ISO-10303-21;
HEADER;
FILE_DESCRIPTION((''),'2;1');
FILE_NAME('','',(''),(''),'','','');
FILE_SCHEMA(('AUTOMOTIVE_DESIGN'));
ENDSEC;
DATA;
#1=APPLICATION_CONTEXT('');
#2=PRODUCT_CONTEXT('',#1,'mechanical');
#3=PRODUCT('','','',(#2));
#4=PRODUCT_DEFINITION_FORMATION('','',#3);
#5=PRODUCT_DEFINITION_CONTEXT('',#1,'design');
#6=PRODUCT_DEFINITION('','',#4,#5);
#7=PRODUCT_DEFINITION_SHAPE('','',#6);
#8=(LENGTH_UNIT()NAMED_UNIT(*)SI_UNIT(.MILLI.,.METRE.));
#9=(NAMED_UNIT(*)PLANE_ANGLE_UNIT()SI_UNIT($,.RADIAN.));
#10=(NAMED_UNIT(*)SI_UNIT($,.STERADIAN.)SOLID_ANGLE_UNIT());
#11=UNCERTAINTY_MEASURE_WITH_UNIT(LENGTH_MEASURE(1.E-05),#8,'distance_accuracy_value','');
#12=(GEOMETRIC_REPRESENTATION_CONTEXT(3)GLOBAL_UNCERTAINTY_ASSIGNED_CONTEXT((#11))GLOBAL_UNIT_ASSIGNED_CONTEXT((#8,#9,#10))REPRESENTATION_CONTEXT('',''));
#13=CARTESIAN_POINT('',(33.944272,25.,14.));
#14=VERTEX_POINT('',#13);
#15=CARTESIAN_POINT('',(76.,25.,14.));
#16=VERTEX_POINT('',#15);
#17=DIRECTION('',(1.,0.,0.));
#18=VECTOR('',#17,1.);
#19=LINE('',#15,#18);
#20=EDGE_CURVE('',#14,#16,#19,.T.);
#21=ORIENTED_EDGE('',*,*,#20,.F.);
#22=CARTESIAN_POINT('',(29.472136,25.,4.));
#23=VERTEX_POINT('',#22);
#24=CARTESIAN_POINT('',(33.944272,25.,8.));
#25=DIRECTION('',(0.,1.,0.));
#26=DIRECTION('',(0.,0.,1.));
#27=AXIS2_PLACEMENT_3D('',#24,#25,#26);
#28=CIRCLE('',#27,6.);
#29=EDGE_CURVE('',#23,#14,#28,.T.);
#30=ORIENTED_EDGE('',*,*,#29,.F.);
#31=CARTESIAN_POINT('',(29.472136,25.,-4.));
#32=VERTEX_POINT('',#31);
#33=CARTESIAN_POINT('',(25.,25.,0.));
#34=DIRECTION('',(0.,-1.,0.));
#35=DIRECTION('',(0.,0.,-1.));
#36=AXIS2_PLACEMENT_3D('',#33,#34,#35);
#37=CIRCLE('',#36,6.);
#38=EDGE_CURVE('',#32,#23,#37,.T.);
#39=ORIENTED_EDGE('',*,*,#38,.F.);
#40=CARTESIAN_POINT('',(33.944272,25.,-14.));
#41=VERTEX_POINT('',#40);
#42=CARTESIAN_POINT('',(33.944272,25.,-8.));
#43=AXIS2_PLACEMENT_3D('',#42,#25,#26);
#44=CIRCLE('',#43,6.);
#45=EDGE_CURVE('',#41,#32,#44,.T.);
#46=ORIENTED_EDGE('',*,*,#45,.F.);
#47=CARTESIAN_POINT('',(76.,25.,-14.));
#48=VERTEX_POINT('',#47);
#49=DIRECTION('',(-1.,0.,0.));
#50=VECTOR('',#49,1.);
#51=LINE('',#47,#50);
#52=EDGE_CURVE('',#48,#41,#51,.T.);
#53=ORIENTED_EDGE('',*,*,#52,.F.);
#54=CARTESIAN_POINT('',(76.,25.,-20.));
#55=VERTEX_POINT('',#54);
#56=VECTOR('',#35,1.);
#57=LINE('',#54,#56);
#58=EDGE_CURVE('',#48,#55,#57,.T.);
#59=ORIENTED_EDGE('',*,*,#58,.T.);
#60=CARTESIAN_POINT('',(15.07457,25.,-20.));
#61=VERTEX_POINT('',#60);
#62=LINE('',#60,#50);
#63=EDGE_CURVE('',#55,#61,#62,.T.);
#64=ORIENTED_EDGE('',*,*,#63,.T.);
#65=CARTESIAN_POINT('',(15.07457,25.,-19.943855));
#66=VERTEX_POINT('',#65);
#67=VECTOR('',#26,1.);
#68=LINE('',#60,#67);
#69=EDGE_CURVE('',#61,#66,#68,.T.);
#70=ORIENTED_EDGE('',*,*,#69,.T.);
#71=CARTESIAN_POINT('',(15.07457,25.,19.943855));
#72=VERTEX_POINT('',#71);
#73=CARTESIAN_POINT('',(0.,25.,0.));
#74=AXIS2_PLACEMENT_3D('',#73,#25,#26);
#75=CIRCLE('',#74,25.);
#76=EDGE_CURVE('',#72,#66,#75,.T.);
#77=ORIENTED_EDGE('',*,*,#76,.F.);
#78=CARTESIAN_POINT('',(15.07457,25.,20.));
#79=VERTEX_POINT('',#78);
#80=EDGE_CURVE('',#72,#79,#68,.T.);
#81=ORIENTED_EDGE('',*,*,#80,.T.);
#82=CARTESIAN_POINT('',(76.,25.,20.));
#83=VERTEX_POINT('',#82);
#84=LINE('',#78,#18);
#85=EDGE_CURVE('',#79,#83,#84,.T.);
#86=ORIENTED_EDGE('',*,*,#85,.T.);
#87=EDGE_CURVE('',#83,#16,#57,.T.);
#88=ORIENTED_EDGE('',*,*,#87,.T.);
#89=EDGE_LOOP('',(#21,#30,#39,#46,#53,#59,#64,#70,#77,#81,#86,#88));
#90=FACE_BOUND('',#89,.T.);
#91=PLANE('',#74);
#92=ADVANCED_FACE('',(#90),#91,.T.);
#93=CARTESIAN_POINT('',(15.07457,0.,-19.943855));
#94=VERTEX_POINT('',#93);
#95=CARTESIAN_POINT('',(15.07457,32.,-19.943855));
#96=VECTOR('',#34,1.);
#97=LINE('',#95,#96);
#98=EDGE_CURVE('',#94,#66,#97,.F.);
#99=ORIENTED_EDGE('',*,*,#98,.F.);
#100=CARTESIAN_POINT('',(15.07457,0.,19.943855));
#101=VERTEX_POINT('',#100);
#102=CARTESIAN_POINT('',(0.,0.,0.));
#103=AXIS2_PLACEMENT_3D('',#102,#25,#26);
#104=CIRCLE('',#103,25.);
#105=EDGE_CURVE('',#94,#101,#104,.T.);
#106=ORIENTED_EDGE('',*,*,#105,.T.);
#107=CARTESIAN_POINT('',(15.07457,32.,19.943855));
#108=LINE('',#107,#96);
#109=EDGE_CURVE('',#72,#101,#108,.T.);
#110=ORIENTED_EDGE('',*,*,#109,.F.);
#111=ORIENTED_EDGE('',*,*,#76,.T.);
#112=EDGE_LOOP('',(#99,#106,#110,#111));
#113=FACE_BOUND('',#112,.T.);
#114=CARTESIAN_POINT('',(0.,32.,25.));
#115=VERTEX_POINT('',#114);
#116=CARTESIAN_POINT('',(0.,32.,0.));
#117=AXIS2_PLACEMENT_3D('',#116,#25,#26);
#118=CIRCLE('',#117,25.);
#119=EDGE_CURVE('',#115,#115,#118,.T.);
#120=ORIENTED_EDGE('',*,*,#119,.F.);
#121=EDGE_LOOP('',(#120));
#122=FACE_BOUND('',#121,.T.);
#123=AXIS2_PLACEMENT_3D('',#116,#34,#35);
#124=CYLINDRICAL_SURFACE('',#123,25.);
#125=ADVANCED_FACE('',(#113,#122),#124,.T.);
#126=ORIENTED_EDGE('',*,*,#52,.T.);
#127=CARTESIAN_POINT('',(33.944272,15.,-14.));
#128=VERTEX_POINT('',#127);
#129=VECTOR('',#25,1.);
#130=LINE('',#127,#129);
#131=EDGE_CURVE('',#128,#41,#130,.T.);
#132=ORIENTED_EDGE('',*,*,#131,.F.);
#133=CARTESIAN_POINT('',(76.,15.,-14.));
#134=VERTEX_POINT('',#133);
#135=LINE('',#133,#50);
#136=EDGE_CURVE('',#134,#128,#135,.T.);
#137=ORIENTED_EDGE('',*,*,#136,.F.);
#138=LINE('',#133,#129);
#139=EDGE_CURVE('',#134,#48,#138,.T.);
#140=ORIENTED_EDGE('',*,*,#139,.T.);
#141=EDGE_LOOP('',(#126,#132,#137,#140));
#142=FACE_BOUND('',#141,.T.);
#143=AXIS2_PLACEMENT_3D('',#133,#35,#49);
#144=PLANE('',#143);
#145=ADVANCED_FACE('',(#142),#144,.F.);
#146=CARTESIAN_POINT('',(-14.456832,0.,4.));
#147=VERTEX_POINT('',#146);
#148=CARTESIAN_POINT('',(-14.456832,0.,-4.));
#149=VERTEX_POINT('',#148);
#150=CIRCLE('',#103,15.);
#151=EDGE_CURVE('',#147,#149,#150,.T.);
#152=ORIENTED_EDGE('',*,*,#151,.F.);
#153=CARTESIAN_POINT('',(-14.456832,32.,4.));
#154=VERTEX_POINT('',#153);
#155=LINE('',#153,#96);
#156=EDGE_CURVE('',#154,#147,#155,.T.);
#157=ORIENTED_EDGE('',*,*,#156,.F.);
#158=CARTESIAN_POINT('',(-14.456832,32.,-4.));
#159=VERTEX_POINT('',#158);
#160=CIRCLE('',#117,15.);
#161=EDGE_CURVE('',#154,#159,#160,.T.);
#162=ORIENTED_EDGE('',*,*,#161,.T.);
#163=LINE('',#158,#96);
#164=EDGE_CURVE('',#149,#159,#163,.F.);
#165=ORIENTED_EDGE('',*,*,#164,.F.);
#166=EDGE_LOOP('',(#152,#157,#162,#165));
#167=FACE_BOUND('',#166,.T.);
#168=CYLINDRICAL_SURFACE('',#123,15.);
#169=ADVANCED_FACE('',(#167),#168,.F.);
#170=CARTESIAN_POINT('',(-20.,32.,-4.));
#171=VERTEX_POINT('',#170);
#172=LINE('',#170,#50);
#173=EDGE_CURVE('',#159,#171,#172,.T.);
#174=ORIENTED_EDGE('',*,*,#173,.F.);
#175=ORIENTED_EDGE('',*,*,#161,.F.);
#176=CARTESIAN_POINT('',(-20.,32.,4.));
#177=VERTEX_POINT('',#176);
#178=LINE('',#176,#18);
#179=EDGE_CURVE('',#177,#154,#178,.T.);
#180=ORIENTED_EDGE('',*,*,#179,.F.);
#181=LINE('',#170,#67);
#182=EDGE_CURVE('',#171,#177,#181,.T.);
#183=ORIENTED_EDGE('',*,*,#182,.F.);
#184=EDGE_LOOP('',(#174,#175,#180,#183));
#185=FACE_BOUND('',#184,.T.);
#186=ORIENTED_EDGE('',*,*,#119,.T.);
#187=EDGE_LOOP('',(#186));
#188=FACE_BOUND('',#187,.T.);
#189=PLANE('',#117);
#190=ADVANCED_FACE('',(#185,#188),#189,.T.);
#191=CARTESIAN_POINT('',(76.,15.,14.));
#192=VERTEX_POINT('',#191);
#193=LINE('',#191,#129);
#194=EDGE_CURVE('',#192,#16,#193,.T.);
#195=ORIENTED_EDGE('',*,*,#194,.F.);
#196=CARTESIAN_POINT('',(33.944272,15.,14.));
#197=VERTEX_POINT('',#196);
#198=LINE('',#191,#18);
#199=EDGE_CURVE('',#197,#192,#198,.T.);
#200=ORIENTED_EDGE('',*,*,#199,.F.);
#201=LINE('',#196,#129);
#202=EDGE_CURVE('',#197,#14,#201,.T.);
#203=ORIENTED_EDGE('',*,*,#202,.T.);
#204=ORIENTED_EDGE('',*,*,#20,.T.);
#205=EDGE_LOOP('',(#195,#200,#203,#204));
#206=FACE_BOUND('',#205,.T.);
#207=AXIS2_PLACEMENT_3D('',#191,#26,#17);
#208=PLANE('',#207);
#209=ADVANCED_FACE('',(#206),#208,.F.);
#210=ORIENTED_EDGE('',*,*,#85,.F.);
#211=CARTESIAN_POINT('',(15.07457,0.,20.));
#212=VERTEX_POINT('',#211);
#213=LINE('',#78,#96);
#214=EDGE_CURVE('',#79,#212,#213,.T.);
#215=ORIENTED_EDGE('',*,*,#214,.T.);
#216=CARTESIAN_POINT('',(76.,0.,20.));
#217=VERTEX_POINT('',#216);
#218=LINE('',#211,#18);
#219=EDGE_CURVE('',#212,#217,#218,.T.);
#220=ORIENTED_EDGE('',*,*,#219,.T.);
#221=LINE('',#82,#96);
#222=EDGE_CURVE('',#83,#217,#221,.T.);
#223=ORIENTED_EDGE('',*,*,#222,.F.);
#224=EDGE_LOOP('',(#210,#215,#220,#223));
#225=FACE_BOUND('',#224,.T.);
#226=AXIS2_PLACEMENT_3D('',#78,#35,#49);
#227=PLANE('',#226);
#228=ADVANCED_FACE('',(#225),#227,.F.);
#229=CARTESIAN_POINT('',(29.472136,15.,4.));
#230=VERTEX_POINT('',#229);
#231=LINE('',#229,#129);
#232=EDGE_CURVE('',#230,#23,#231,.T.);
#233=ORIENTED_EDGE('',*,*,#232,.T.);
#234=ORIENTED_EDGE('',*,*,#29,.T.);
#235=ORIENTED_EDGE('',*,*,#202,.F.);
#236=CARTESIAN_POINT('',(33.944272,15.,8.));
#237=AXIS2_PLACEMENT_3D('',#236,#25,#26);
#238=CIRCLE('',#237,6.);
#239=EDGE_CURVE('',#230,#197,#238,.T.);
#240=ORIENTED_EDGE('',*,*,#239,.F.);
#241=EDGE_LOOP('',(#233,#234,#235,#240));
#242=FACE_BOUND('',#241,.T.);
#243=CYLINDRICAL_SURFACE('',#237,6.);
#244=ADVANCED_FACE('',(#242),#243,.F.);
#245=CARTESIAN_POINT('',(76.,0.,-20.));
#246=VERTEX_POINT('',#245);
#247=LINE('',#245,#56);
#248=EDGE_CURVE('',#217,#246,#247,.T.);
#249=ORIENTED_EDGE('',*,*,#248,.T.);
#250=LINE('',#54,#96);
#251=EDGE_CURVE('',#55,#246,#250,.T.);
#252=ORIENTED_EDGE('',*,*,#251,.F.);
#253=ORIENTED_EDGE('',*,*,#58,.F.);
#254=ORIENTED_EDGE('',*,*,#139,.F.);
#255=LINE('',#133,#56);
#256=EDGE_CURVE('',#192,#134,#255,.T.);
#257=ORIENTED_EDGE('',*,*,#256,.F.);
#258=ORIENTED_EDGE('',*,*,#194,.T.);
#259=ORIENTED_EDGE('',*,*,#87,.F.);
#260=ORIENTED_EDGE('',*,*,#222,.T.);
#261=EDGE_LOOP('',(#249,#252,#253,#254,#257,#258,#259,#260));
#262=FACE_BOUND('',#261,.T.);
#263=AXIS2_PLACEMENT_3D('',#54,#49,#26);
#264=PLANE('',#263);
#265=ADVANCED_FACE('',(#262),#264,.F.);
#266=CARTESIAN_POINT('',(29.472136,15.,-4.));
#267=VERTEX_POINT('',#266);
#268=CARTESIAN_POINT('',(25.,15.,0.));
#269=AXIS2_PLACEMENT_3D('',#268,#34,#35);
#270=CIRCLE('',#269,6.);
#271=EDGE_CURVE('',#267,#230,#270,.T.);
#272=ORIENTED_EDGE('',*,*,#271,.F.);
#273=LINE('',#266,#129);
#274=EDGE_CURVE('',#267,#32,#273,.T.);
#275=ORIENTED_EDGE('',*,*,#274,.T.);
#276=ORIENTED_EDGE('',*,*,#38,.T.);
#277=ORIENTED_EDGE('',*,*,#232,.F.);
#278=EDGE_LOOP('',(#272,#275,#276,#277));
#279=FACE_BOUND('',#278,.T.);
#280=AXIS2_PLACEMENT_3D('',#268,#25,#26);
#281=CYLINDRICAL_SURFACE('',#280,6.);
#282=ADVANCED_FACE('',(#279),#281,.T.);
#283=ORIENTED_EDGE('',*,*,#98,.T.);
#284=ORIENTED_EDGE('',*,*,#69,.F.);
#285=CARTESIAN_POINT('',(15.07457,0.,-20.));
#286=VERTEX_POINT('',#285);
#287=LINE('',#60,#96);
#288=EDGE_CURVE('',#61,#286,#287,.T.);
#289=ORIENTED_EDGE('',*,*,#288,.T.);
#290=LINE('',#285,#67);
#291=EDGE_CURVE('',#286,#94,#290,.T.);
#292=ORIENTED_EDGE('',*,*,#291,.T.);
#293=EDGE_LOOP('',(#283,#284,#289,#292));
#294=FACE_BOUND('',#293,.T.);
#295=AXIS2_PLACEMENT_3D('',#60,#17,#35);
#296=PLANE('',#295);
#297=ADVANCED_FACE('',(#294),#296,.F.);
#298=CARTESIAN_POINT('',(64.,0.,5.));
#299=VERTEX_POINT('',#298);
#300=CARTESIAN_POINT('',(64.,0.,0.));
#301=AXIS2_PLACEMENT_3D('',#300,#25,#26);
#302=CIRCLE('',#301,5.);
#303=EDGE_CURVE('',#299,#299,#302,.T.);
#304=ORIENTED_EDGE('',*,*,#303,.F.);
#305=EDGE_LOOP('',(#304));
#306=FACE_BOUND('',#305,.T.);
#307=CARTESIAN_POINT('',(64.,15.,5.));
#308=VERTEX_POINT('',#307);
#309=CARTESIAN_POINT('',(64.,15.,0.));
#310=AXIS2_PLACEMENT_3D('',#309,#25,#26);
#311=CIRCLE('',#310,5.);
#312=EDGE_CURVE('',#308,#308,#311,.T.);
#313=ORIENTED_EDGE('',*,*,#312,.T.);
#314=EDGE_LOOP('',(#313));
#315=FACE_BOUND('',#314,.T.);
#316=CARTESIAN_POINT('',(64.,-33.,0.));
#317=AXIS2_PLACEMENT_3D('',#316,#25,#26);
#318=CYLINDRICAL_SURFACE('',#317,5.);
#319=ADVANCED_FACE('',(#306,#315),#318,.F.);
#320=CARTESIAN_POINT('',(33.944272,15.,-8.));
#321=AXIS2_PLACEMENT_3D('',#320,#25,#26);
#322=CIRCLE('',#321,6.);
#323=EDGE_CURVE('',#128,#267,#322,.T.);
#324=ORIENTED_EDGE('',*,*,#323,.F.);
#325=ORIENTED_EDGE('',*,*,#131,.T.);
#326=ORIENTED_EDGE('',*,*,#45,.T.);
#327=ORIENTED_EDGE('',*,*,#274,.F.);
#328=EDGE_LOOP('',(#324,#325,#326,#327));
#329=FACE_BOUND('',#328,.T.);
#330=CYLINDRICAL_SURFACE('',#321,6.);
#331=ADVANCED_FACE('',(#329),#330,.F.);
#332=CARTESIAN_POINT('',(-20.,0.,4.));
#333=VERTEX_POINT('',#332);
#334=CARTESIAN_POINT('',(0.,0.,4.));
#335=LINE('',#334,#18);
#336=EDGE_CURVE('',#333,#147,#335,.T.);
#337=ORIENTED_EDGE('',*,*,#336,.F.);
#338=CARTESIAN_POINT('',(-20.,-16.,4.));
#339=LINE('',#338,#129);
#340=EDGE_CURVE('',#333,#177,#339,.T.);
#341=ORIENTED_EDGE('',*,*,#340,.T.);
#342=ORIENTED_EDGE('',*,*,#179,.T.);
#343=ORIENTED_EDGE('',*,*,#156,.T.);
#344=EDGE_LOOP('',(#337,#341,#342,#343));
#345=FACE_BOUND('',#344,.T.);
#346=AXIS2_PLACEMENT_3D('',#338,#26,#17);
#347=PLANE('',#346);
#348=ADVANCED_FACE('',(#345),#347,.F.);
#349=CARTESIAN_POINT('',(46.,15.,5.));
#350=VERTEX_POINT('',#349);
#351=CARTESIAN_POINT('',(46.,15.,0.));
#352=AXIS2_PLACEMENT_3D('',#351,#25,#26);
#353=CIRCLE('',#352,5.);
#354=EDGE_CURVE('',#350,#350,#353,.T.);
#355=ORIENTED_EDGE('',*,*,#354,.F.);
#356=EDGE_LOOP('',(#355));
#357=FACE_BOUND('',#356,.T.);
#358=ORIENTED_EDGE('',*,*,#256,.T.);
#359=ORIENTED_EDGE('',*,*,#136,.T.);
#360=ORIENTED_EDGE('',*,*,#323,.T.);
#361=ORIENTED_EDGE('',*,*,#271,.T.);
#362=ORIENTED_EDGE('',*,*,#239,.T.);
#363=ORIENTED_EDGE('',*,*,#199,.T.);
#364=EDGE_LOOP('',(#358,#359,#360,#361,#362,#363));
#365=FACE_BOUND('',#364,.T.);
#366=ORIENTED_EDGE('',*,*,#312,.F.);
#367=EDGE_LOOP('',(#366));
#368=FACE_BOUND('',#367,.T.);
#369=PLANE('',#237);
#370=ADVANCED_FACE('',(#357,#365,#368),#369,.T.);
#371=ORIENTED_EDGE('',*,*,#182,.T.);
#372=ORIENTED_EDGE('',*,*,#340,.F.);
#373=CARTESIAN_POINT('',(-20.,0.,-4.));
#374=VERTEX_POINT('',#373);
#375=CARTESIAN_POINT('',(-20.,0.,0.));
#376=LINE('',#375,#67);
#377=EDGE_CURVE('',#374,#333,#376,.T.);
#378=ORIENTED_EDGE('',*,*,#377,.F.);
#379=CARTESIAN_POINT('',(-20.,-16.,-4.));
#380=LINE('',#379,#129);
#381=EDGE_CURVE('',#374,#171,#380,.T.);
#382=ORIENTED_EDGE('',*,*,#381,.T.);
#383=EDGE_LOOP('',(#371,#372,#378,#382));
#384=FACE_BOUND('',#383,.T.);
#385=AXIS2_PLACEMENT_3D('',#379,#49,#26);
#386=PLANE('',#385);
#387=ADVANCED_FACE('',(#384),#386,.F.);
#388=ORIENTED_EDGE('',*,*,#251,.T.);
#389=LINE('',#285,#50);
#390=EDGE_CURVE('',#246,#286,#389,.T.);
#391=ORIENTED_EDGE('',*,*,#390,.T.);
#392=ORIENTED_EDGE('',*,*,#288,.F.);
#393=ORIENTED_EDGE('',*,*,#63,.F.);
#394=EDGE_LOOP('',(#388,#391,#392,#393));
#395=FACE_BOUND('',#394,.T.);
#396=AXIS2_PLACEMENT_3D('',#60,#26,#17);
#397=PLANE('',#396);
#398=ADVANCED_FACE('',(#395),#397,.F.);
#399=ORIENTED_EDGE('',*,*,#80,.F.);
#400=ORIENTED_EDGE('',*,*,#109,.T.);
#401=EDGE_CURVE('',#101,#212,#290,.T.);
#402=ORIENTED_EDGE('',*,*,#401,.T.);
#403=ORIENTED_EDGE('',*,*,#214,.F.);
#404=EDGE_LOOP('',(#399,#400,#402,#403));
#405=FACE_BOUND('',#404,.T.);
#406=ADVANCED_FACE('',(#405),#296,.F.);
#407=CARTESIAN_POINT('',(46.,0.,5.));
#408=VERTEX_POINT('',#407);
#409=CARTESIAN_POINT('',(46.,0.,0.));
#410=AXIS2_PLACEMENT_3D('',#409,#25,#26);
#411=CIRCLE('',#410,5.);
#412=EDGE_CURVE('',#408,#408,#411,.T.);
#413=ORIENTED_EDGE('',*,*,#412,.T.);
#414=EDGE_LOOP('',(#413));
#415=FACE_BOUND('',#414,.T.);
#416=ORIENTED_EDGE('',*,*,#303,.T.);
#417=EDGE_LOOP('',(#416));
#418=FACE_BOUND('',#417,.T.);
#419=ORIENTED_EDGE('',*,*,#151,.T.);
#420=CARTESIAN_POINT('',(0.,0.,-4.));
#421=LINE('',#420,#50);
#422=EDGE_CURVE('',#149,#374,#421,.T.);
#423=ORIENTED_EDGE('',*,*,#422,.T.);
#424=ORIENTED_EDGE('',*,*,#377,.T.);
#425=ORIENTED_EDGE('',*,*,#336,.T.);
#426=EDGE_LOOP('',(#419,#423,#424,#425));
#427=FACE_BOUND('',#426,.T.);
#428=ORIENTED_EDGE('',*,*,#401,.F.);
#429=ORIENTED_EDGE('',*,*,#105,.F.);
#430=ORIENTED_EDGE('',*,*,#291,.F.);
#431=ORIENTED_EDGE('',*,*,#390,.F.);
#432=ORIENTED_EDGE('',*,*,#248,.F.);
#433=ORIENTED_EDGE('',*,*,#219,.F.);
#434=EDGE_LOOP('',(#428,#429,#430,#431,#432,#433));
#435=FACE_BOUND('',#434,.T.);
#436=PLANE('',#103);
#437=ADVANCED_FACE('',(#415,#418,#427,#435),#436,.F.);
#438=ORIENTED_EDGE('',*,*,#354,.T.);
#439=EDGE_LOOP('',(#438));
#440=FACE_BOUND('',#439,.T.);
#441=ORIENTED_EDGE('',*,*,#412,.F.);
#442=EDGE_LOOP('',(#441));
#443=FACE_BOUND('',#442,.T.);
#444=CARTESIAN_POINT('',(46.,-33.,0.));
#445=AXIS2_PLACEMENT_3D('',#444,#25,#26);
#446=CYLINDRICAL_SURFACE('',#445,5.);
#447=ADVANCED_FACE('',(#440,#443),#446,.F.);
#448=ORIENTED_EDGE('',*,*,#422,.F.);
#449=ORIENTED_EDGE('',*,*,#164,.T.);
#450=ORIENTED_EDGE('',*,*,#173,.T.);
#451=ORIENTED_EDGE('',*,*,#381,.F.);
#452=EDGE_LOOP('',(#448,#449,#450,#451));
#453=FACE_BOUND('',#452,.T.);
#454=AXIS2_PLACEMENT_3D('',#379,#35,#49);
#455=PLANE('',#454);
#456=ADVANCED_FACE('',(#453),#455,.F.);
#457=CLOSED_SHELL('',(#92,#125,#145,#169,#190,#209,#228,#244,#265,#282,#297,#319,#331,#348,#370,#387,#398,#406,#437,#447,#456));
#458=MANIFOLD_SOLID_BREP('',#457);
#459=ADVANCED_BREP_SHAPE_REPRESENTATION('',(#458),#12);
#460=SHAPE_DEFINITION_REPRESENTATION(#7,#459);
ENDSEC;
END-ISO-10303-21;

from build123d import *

# Parameters (mm, degrees)
SKETCH_1_R          = 25
SKETCH_1_R_2        = 15
EXTRUDE_1_DEPTH     = 32
EXTRUDE_START       = -32
SKETCH_2_W          = 60.925429914
SKETCH_2_H          = 40
EXTRUDE_2_DEPTH     = 25
CUT_EXTRUDE_1_DEPTH = 10
SKETCH_4_R          = 5
CUT_EXTRUDE_2_DEPTH = 48
CUT_EXTRUDE_START   = -48
CUT_EXTRUDE_3_DEPTH = 48


with BuildPart() as part:
    # 草图1 → 凸台-拉伸1 (new body)
    with BuildSketch(Plane(origin=(0, 0, 0), x_dir=(1, 0, 0), z_dir=(0, 1, 0))):
        with Locations(Location((0, 0, 0), (0, 0, 270))):
            Circle(SKETCH_1_R)
        with Locations(Location((0, 0, 0), (0, 0, 270))):
            Circle(SKETCH_1_R_2, mode=Mode.SUBTRACT)
    extrude(amount=EXTRUDE_1_DEPTH)

    # 草图2 → 凸台-拉伸2 (add)
    with BuildSketch(Plane(origin=(0, 32, 0), x_dir=(1, 0, 0), z_dir=(0, 1, 0)).offset(EXTRUDE_START)):
        with Locations((45.537285043, 0)):
            Rectangle(SKETCH_2_W, SKETCH_2_H)
    extrude(amount=EXTRUDE_2_DEPTH)

    # 草图3 → 切除-拉伸1 (cut)
    with BuildSketch(Plane(origin=(0, 25, 0), x_dir=(1, 0, 0), z_dir=(0, 1, 0))):
        with BuildLine():
            Line((76, 14), (33.94427191, 14))
            ThreePointArc((33.94427191, 14), (28.467046335, 10.449489743), (29.472135955, 4))
            ThreePointArc((29.472135955, 4), (31, 0), (29.472135955, -4))
            ThreePointArc((29.472135955, -4), (28.467046335, -10.449489743), (33.94427191, -14))
            Line((33.94427191, -14), (76, -14))
            Line((76, -14), (76, 14))
        make_face()
    extrude(amount=-CUT_EXTRUDE_1_DEPTH, mode=Mode.SUBTRACT)

    # 草图4 → 切除-拉伸2 (cut)
    with BuildSketch(Plane(origin=(0, 15, 0), x_dir=(1, 0, 0), z_dir=(0, 1, 0))):
        with Locations(Location((46, 0, 0), (0, 0, 270))):
            Circle(SKETCH_4_R)
        with Locations(Location((64, 0, 0), (0, 0, 270))):
            Circle(SKETCH_4_R)
    extrude(amount=-CUT_EXTRUDE_2_DEPTH, mode=Mode.SUBTRACT)

    # 草图5 → 切除-拉伸3 (cut)
    with BuildSketch(Plane(origin=(0, 32, 0), x_dir=(1, 0, 0), z_dir=(0, 1, 0)).offset(CUT_EXTRUDE_START)):
        with BuildLine():
            Line((-20, 4), (-14.456832295, 4))
            ThreePointArc((-14.456832295, 4), (-15, 0), (-14.456832295, -4))
            Line((-14.456832295, -4), (-20, -4))
            Line((-20, -4), (-20, 4))
        make_face()
    extrude(amount=CUT_EXTRUDE_3_DEPTH, mode=Mode.SUBTRACT)


solid = part.part
